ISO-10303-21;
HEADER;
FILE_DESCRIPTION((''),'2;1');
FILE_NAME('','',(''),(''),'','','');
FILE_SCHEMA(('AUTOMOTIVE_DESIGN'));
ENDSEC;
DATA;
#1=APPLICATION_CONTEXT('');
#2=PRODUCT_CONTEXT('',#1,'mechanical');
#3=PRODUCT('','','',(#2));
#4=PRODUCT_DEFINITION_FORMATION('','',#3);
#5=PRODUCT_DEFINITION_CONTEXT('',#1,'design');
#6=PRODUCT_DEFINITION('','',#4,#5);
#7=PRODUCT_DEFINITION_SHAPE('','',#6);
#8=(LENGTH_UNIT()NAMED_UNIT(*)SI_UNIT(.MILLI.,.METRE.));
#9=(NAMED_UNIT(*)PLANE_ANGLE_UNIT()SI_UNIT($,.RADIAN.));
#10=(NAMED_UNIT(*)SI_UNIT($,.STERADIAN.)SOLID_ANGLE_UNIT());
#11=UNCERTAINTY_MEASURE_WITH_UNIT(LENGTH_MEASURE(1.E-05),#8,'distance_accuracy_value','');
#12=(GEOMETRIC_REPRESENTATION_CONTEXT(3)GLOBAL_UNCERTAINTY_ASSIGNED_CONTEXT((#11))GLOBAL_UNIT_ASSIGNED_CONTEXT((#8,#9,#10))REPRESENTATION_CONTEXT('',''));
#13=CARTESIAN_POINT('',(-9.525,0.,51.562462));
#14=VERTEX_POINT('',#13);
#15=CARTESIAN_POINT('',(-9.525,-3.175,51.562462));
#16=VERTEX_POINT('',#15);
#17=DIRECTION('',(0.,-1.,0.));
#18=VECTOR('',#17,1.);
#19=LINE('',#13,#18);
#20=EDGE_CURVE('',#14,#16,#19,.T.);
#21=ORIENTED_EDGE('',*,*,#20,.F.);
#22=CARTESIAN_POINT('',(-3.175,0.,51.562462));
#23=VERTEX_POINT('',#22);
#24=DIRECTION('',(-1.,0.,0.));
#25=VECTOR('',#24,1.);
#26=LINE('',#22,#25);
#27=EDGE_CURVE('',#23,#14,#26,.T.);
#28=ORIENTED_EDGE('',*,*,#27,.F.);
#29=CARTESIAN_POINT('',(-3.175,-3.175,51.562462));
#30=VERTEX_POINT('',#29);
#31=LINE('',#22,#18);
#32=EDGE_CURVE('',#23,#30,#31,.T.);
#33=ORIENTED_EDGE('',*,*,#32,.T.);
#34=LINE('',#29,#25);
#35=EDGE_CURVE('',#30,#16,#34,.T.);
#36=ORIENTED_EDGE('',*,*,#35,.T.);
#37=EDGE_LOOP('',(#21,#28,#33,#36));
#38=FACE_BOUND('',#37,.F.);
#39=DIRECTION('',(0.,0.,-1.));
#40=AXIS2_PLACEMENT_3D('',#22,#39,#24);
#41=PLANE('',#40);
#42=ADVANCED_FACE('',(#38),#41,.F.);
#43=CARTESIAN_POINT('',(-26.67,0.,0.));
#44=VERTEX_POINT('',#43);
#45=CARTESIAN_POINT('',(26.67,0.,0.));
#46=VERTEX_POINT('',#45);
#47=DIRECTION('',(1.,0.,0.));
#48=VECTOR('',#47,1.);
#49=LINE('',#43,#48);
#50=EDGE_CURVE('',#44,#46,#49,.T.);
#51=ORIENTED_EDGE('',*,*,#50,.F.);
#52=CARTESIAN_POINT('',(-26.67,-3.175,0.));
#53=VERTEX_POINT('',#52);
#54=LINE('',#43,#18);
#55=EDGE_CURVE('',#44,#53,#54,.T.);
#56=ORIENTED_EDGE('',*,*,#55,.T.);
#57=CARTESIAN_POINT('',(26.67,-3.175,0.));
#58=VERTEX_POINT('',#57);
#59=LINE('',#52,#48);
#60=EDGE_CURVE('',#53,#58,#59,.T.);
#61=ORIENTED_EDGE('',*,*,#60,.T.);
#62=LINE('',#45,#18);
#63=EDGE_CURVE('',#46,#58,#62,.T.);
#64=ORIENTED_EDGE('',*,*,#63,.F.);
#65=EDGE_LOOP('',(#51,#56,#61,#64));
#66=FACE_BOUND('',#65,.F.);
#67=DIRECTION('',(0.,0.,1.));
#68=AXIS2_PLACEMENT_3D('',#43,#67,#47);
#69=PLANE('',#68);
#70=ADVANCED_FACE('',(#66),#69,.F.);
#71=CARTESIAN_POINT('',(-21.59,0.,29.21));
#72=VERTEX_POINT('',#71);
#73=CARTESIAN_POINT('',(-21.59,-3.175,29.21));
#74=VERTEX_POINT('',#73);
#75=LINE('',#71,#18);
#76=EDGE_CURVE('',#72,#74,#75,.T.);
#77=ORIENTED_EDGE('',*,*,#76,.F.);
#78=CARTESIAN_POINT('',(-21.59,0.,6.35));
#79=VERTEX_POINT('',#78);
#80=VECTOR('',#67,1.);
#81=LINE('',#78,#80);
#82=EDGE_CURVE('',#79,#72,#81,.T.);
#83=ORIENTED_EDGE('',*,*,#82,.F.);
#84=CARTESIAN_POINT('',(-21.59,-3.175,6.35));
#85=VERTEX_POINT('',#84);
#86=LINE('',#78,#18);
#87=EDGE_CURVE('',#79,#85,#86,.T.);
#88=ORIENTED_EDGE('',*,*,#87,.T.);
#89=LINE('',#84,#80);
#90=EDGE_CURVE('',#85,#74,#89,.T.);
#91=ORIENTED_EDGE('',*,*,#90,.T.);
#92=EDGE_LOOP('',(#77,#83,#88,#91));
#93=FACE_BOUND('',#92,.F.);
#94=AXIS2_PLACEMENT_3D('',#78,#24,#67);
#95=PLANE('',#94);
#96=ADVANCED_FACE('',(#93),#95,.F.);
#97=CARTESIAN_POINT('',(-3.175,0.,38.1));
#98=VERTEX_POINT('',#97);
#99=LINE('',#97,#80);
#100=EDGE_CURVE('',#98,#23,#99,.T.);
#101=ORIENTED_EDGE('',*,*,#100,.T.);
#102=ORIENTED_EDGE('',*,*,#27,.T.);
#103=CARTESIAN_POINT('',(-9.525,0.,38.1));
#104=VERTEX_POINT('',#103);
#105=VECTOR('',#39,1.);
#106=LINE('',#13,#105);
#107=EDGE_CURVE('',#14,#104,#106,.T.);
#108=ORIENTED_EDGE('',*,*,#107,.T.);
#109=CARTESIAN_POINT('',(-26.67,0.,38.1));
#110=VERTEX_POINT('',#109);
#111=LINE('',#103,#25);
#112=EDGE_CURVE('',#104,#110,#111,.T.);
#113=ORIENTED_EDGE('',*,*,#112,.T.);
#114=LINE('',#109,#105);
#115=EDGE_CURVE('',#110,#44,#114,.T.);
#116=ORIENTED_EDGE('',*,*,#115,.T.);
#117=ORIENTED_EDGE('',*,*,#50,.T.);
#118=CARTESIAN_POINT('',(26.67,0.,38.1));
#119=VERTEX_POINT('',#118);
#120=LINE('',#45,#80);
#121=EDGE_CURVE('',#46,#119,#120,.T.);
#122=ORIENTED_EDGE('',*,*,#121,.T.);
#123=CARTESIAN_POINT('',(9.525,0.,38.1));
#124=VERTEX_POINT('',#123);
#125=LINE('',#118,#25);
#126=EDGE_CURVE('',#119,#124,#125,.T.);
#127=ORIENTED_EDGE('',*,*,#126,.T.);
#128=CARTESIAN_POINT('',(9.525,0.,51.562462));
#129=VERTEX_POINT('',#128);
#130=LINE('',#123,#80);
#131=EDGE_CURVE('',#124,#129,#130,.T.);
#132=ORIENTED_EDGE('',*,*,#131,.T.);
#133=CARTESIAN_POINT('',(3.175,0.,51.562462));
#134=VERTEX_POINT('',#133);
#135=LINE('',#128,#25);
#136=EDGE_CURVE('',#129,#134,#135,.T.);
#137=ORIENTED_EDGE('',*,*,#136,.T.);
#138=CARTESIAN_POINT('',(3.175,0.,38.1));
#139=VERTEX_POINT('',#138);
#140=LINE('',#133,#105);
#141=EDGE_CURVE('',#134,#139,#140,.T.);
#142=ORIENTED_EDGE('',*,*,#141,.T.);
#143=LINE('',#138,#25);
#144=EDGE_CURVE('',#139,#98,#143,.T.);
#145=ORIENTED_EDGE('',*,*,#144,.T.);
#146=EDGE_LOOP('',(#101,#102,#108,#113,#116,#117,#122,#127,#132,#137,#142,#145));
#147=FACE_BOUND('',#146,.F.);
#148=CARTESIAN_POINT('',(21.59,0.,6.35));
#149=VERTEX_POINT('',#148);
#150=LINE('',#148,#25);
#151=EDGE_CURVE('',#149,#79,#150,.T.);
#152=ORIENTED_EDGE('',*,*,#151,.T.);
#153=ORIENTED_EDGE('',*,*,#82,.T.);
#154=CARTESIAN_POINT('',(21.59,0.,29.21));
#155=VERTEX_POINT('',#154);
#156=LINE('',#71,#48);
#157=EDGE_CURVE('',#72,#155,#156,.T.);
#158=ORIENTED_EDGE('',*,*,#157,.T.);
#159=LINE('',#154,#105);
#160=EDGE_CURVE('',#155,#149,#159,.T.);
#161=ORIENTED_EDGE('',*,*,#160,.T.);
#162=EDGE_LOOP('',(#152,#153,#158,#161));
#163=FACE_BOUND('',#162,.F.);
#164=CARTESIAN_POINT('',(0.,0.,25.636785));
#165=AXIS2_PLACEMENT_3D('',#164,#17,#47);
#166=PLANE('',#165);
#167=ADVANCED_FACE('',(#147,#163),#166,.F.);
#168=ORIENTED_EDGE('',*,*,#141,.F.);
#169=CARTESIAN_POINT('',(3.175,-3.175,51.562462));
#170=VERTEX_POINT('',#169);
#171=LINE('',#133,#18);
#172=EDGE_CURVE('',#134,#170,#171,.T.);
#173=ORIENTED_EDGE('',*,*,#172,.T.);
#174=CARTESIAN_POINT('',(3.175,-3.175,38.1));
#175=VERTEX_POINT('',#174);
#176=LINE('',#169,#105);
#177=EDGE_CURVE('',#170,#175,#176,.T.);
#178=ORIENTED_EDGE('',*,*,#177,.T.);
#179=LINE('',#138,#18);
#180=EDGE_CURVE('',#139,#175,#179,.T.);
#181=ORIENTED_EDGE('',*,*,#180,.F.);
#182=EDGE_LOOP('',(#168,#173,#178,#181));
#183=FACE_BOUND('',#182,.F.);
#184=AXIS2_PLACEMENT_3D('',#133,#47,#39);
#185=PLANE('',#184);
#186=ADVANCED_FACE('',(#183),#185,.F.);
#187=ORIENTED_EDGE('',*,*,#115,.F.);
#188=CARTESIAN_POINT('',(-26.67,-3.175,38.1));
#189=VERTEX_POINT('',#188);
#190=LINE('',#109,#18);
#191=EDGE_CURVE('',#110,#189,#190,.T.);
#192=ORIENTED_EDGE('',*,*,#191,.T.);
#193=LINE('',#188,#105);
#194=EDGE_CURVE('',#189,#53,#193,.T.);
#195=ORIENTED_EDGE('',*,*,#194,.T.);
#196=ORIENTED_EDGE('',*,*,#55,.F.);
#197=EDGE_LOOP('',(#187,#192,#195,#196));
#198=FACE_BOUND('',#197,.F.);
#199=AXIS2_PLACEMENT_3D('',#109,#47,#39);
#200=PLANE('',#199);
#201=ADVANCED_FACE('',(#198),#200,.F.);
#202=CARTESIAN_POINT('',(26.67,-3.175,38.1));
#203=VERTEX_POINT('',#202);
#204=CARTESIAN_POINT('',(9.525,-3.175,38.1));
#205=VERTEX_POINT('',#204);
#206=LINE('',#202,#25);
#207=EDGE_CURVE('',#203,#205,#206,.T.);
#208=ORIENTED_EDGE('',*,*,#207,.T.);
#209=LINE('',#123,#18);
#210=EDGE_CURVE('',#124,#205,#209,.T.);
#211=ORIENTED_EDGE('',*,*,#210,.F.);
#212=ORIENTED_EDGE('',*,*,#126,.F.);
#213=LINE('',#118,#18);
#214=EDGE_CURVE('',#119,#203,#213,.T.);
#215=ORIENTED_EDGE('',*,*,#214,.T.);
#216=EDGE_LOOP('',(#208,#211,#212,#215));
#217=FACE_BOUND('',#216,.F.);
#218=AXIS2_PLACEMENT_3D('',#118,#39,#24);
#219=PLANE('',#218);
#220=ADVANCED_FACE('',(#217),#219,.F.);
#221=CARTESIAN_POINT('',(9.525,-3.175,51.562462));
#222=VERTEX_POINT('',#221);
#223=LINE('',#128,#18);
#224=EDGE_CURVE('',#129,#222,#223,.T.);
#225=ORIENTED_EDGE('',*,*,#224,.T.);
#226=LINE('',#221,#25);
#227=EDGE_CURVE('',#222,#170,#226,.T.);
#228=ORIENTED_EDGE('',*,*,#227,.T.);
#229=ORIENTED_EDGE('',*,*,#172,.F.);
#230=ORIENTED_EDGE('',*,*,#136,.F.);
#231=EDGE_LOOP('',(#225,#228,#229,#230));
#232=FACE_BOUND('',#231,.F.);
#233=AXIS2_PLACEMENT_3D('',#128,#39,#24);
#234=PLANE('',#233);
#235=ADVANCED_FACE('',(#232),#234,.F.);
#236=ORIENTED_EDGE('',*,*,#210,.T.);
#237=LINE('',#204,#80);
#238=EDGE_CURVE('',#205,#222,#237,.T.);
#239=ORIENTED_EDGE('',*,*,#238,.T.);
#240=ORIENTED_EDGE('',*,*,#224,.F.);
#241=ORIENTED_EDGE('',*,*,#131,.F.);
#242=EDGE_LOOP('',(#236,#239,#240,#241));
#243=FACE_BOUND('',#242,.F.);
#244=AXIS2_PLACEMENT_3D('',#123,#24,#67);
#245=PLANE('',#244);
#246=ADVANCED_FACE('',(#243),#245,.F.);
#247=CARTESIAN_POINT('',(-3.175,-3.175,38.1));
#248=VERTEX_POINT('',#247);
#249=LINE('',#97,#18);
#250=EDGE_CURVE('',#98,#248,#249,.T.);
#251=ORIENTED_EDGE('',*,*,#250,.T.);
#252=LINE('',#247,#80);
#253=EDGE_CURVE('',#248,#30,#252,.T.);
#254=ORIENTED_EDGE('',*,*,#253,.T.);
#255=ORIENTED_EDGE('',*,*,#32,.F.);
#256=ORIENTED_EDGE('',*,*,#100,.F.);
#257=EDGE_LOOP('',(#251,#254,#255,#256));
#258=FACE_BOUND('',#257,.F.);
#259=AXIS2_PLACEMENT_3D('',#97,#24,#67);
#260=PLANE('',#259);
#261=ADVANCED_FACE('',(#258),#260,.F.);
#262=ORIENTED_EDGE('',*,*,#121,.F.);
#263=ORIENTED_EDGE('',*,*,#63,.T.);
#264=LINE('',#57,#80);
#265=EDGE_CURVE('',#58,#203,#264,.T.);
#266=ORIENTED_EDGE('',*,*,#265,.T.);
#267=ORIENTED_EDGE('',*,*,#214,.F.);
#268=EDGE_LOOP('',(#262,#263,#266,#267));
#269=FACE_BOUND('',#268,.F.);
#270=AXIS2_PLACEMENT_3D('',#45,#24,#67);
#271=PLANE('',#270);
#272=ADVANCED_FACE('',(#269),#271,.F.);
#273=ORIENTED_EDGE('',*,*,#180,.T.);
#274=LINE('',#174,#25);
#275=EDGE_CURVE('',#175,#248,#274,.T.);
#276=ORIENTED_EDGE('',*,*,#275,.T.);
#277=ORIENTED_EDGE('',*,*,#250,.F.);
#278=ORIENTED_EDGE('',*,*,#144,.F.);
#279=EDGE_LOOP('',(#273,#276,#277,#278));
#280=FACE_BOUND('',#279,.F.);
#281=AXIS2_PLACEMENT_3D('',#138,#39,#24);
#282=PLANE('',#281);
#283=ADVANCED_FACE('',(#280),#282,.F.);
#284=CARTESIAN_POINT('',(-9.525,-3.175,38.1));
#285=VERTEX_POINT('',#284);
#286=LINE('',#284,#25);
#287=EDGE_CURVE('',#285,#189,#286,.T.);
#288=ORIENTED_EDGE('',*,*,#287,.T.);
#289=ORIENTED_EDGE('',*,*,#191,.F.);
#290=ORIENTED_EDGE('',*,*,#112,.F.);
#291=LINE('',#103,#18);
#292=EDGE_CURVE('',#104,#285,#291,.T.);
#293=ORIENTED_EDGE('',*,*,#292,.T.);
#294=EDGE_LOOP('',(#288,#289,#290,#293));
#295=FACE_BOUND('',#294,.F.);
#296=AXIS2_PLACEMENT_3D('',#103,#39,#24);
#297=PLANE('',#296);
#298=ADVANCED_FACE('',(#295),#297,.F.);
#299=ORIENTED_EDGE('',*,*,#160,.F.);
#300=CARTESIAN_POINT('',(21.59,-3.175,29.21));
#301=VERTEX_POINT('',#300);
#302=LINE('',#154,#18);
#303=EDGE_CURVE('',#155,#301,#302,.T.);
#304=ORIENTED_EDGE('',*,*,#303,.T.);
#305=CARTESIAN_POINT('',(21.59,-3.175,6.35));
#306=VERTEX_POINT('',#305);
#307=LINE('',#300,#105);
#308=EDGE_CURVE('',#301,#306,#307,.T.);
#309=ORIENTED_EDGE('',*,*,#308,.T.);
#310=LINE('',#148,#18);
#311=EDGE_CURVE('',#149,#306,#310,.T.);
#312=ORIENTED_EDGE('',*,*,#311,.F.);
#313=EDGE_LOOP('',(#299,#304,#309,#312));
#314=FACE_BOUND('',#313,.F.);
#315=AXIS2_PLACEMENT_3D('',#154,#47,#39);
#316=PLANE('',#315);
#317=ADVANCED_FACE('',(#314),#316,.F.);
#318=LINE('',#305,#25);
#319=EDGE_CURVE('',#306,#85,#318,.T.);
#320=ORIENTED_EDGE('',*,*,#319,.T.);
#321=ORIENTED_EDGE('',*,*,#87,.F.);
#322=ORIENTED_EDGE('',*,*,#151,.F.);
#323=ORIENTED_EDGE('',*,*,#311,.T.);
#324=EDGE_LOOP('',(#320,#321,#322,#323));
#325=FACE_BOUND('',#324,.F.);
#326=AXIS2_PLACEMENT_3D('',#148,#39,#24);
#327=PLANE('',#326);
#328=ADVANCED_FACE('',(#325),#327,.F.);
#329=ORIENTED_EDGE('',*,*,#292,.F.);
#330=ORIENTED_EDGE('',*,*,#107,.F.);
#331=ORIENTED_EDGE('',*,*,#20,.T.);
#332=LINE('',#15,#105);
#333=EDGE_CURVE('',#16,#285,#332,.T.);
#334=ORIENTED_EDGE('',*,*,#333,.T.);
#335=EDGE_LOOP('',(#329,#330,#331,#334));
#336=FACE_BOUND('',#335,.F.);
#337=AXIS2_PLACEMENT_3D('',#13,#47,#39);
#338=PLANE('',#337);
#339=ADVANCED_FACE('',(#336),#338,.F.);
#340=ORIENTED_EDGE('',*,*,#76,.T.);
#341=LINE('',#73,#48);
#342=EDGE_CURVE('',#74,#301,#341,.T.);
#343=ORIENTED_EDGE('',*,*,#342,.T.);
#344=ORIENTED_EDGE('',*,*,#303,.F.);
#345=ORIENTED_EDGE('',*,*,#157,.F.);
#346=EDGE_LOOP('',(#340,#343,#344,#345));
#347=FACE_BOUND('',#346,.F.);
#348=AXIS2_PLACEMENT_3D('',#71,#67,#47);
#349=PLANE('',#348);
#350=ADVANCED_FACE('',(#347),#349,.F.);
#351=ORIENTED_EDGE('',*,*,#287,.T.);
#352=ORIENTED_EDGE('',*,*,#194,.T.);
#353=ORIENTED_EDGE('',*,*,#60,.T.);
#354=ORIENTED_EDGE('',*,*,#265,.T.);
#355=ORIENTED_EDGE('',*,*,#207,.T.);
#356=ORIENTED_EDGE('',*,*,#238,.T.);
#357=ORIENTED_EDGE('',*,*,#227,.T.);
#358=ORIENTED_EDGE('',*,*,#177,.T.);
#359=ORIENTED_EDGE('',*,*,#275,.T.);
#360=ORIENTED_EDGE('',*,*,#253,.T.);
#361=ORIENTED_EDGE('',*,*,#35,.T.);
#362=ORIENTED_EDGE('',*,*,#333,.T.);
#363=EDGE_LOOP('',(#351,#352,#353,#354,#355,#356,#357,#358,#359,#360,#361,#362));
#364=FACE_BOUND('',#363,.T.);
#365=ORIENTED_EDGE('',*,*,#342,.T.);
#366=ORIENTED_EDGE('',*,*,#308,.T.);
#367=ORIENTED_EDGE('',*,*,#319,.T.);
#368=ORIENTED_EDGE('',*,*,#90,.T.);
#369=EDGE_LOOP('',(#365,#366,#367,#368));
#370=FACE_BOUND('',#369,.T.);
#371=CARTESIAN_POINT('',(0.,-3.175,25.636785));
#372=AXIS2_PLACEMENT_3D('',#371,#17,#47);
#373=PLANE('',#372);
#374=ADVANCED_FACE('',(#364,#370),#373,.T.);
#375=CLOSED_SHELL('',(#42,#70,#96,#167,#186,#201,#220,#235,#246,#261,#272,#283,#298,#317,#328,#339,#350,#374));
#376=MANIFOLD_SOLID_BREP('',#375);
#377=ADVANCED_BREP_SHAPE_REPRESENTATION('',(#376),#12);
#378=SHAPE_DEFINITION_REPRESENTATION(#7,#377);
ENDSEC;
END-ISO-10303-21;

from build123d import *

# Parameters (mm, degrees)
F1_DEPTH = 3.175


with BuildPart() as f1:
    # F0 (on Front) → F1 (new body)
    with BuildSketch(Plane.XZ):
        Polygon((-26.67, 0), (0, 0), (26.67, 0), (26.67, 38.1), (9.525, 38.1), (9.525, 51.562462), (3.175, 51.562462), (3.175, 38.1), (0, 38.1), (-3.175, 38.1), (-3.175, 51.562462), (-9.525, 51.562462), (-9.525, 38.1), (-26.67, 38.1), align=None)
        Polygon((21.59, 6.35), (0, 6.35), (-21.59, 6.35), (-21.59, 29.21), (0, 29.21), (21.59, 29.21), align=None, mode=Mode.SUBTRACT)
    extrude(amount=F1_DEPTH)


solid = f1.part
